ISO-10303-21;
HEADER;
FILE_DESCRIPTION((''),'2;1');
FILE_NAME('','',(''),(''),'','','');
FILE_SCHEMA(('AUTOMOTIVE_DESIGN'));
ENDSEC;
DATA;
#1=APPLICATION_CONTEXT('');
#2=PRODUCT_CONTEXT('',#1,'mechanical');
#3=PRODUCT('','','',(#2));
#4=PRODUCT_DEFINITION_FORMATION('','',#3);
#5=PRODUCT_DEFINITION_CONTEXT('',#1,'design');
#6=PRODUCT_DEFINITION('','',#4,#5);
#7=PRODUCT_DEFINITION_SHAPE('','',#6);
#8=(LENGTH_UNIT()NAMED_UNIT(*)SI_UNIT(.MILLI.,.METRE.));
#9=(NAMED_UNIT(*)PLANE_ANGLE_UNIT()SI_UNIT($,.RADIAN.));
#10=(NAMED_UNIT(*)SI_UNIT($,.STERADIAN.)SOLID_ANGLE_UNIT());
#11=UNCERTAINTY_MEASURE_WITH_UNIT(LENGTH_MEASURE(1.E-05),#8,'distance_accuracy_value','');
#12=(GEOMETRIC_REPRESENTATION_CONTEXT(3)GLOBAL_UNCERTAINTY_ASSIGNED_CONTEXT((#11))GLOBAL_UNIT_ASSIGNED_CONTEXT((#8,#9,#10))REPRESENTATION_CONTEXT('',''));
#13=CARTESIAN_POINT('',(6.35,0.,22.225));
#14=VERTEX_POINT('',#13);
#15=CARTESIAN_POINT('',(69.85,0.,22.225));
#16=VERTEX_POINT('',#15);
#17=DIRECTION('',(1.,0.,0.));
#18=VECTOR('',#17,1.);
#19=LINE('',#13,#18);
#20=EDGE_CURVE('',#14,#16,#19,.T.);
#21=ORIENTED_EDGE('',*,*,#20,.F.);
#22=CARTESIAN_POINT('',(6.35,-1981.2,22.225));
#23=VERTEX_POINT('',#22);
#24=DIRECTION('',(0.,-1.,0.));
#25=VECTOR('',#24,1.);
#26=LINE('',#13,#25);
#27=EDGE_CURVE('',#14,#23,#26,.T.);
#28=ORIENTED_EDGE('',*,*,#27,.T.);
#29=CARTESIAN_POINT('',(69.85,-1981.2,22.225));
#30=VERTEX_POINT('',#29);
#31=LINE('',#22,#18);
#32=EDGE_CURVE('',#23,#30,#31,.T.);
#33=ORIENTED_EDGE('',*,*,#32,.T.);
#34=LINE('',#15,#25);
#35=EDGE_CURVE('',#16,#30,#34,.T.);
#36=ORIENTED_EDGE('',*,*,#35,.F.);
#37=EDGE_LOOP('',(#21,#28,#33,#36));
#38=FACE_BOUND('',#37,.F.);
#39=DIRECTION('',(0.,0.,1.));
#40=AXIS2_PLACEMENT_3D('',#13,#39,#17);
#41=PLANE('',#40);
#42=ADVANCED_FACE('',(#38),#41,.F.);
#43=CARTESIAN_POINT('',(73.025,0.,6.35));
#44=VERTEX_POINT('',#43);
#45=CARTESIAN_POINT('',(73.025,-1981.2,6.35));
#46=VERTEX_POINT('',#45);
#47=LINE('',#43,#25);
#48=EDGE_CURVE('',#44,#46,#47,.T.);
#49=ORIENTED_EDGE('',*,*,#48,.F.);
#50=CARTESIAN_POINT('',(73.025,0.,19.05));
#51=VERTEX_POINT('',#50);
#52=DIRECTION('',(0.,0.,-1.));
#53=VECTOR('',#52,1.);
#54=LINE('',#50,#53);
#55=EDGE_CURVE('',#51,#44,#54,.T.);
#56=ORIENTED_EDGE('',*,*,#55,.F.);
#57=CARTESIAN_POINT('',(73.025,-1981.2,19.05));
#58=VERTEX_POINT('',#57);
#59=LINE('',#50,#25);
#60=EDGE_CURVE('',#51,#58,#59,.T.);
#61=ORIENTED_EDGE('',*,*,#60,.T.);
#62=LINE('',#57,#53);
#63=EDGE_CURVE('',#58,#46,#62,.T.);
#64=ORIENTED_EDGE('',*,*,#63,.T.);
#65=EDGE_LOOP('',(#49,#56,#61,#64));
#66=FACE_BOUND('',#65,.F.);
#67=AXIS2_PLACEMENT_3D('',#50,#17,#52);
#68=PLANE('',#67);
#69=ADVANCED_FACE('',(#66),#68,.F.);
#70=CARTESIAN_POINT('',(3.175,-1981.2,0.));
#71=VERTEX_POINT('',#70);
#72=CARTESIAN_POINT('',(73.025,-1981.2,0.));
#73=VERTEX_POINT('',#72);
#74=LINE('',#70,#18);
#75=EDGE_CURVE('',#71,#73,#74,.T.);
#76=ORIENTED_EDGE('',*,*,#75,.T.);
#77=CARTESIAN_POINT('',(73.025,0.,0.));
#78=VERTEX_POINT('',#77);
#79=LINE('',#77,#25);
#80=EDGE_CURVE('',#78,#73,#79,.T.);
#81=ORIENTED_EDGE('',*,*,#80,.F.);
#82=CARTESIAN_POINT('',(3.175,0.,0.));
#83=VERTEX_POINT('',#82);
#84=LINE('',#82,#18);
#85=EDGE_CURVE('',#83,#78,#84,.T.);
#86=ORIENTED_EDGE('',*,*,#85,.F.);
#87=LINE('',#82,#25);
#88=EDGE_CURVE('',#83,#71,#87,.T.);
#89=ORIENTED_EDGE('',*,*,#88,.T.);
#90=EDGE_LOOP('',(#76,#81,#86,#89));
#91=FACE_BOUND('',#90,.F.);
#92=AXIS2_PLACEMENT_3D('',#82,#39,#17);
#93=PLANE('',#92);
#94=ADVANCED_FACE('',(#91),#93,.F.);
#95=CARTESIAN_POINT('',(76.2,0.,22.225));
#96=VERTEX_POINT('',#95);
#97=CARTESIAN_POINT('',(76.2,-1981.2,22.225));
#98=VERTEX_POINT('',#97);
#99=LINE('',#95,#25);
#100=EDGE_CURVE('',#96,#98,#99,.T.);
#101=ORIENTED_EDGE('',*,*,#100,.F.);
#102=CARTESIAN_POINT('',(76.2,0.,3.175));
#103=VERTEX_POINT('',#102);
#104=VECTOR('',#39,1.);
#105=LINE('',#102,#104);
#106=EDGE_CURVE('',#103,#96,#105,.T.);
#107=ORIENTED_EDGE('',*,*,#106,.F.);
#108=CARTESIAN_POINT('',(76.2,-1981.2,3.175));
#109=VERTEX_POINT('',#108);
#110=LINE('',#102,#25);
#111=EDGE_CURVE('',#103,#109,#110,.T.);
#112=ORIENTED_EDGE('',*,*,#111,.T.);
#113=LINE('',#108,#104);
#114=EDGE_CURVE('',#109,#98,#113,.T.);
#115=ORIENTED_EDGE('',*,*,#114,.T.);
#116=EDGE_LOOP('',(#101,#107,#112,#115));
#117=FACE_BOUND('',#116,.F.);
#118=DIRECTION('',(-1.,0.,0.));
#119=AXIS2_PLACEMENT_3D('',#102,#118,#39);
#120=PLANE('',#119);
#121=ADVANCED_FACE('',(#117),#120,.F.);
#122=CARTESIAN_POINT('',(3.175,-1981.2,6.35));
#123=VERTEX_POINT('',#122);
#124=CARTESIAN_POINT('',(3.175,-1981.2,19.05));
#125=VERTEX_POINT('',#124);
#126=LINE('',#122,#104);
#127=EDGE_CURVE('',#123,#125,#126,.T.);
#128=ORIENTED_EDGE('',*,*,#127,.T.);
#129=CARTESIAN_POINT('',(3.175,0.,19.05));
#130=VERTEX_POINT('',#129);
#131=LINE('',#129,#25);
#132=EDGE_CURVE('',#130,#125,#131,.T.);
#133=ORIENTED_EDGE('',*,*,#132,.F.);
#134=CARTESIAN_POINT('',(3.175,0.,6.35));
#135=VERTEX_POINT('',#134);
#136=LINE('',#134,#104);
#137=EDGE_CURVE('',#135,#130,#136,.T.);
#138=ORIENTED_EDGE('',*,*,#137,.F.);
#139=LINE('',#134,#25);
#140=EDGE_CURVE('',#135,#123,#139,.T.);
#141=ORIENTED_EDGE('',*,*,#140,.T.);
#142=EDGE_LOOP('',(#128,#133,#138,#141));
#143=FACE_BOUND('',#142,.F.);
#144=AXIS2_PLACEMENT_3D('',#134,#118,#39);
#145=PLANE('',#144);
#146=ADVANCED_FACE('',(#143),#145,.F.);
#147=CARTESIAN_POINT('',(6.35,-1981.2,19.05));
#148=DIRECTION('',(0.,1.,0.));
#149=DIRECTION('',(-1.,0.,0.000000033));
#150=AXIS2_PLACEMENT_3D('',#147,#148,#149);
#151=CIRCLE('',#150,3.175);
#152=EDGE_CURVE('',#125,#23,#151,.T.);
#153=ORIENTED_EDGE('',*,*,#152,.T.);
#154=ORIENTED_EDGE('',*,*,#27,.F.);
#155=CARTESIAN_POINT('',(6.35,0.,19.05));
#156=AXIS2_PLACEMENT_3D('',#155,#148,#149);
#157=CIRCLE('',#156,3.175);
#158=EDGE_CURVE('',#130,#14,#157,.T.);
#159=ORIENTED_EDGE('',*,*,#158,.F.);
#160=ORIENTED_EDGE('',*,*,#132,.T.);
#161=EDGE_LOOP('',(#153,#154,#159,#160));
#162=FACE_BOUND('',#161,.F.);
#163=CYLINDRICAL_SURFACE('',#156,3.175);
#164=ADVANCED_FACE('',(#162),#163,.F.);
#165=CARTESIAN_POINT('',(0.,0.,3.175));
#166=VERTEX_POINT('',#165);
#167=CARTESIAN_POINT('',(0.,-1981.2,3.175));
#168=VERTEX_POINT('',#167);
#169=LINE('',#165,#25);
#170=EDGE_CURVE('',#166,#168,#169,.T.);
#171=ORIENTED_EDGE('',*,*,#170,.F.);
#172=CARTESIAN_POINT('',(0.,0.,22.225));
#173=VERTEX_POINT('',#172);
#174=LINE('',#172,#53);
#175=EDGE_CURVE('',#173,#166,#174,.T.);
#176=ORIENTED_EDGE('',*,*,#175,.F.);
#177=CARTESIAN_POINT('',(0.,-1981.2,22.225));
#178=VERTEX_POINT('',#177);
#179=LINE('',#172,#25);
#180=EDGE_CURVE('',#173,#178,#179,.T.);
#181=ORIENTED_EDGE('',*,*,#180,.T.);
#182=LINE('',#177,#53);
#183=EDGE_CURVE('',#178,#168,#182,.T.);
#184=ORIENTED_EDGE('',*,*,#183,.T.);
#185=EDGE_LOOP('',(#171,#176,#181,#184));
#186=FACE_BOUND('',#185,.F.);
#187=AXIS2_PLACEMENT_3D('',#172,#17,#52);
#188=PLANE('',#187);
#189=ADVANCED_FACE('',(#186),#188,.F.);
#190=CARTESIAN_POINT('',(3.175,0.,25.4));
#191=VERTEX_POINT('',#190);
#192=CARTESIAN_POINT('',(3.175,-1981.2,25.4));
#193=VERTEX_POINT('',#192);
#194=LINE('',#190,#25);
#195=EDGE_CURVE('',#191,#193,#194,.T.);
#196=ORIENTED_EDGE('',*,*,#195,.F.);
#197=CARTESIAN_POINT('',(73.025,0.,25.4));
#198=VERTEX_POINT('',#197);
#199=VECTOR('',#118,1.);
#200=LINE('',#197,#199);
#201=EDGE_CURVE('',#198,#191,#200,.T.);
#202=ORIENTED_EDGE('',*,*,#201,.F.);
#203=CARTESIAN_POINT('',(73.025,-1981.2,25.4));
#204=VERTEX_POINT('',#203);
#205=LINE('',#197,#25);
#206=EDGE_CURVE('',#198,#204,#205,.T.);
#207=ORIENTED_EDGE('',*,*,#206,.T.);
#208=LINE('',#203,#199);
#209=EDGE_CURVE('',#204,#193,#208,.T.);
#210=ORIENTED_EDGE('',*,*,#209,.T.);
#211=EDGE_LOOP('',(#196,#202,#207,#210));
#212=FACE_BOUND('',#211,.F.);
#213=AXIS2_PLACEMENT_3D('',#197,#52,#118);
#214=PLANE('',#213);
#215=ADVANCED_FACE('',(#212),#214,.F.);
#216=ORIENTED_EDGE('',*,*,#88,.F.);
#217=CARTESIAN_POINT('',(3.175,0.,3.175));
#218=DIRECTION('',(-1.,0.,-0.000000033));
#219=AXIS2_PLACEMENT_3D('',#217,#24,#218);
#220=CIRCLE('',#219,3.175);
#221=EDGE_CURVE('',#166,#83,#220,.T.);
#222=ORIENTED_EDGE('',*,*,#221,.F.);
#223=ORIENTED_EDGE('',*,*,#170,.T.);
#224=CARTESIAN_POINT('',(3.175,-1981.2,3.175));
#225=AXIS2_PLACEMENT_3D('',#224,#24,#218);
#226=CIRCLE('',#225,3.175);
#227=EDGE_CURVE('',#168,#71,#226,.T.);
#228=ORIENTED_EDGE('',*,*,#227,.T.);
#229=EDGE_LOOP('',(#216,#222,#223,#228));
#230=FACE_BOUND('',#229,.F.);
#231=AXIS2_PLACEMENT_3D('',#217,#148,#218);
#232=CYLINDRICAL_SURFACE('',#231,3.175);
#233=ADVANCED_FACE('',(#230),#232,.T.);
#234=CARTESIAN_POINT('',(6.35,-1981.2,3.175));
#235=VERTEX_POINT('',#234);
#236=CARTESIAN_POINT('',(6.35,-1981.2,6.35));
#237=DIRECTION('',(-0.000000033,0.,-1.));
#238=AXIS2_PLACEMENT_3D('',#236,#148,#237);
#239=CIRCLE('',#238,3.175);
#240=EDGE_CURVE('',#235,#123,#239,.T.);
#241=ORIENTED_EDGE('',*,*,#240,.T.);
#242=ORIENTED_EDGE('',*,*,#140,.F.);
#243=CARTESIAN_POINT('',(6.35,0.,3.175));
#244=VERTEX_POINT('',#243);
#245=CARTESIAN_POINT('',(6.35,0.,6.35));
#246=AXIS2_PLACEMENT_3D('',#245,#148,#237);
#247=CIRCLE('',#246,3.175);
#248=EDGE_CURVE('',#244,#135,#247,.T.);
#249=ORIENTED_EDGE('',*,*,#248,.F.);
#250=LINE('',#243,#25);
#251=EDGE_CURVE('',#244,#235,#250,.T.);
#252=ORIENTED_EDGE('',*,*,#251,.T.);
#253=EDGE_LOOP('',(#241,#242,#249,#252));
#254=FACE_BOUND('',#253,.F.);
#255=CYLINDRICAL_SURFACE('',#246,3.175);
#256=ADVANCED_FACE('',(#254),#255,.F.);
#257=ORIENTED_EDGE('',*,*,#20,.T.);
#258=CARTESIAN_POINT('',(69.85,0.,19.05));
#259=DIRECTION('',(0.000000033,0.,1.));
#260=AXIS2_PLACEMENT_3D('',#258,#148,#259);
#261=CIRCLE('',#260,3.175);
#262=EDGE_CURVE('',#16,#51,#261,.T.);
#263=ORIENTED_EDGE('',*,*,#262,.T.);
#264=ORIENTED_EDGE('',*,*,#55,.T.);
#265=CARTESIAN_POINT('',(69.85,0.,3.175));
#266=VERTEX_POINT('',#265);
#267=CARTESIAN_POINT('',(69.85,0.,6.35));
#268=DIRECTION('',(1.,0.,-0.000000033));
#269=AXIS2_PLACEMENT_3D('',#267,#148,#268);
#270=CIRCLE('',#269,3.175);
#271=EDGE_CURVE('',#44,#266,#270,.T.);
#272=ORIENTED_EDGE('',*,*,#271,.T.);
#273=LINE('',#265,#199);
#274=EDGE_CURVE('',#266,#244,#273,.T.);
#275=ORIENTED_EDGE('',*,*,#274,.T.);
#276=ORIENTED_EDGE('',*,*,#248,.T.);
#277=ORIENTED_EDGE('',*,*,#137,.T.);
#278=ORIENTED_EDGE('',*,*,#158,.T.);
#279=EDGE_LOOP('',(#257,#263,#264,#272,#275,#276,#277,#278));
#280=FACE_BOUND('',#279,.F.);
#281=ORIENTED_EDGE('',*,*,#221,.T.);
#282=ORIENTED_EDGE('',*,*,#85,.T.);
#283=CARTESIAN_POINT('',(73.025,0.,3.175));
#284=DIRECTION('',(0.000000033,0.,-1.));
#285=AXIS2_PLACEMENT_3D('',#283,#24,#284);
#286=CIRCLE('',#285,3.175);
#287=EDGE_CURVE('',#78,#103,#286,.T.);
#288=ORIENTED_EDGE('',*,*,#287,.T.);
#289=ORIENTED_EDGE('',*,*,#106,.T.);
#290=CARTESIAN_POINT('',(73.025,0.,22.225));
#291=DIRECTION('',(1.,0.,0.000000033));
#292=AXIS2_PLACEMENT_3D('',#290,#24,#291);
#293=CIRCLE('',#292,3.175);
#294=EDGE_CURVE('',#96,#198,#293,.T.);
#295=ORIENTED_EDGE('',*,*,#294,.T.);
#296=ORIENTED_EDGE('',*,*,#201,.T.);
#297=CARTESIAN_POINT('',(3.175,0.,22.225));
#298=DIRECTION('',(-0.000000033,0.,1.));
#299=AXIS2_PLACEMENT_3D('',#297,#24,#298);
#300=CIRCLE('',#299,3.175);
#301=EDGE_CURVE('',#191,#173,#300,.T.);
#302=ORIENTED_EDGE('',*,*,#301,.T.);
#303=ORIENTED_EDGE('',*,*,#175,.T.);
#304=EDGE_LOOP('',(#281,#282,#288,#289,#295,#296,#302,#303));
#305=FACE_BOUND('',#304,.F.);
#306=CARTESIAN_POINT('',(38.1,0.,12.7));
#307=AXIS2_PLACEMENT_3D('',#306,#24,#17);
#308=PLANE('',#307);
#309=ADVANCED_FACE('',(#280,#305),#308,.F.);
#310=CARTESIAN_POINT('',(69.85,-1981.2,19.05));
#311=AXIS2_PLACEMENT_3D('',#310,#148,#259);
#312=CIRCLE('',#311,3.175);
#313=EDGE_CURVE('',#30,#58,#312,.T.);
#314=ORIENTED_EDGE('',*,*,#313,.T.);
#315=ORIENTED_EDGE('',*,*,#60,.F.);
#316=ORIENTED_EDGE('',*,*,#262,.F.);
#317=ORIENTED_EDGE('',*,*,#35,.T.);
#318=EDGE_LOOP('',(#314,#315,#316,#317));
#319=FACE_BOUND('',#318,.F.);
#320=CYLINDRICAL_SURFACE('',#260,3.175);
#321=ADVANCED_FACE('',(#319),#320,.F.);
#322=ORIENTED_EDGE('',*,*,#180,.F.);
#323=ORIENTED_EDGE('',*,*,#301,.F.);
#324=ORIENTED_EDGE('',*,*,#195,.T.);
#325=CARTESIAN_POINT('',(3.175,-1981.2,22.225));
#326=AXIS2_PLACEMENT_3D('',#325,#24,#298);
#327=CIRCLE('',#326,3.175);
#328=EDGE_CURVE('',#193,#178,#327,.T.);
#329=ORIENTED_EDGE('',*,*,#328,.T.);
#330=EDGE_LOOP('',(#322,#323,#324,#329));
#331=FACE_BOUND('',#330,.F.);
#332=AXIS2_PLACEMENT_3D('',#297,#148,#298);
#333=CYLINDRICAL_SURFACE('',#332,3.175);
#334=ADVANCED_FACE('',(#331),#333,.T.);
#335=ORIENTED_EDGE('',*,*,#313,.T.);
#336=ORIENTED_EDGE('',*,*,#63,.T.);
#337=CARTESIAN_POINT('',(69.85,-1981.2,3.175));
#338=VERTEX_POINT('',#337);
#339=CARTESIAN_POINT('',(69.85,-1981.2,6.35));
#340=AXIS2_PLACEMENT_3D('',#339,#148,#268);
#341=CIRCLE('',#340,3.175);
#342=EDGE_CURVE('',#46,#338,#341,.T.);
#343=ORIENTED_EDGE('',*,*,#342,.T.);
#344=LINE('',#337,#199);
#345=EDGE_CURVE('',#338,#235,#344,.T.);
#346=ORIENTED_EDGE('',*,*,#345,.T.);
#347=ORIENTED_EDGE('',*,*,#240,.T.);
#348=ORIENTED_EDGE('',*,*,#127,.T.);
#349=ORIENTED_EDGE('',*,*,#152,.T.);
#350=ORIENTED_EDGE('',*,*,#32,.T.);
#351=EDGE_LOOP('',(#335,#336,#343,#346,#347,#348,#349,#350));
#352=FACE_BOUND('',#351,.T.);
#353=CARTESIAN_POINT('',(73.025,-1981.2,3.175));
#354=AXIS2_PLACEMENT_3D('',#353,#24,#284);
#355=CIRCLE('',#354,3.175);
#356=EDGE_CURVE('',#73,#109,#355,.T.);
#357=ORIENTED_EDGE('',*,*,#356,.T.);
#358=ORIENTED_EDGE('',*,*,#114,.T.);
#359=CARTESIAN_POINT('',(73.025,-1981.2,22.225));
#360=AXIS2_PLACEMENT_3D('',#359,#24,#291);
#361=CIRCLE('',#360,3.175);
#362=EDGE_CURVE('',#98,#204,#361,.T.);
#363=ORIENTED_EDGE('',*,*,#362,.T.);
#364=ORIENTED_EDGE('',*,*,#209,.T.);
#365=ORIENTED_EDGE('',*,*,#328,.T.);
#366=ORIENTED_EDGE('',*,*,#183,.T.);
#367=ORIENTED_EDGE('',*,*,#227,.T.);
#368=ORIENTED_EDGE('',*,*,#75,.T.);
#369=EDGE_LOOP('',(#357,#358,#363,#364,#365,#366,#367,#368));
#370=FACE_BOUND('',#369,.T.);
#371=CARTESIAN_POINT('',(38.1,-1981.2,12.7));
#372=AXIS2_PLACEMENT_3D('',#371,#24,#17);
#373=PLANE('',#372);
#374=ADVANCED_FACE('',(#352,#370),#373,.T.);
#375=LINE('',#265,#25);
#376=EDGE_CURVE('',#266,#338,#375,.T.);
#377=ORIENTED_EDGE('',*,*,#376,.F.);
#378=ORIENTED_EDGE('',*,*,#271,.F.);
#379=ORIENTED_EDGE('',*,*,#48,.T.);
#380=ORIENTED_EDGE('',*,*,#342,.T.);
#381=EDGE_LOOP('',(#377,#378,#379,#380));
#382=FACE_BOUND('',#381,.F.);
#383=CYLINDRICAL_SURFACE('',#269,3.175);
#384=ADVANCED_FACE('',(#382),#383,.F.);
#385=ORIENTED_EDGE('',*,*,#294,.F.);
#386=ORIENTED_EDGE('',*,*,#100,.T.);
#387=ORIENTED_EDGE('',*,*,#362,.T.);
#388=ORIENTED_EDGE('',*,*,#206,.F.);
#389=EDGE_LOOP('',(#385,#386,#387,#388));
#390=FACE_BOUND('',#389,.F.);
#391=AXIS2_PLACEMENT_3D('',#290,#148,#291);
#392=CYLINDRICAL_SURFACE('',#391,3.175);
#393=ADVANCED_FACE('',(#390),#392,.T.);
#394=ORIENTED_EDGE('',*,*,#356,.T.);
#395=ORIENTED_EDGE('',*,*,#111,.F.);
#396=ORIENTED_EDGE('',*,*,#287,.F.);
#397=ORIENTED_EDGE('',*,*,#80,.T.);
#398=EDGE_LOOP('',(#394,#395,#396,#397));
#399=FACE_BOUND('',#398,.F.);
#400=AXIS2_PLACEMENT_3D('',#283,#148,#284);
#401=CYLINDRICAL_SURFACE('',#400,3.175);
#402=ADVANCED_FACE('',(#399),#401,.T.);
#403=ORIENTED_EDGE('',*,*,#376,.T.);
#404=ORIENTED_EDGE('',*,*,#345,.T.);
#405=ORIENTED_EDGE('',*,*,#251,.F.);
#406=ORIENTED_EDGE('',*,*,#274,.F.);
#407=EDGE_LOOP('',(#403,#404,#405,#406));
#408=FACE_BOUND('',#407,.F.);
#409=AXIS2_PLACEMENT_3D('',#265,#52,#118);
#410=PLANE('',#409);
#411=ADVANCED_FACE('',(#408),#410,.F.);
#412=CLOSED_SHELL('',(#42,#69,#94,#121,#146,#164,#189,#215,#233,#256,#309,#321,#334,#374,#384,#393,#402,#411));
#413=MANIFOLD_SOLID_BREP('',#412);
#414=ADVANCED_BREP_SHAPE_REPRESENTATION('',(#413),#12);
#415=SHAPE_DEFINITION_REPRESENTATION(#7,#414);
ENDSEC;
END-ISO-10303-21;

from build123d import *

# Parameters (mm, degrees)
F1_DEPTH = 1981.2


with BuildPart() as f1:
    # F0 (on Front) → F1 (new body)
    with BuildSketch(Plane.XZ):
        with BuildLine():
            ThreePointArc((0, 3.175), (0.929936, 0.929936), (3.175, 0))
            Line((3.175, 0), (73.025, 0))
            ThreePointArc((73.025, 0), (75.270064, 0.929936), (76.2, 3.175))
            Line((76.2, 3.175), (76.2, 22.225))
            ThreePointArc((76.2, 22.225), (75.270064, 24.470064), (73.025, 25.4))
            Line((73.025, 25.4), (3.175, 25.4))
            ThreePointArc((3.175, 25.4), (0.929936, 24.470064), (0, 22.225))
            Line((0, 22.225), (0, 3.175))
        make_face()
        with BuildLine():
            Line((69.85, 3.175), (6.35, 3.175))
            ThreePointArc((6.35, 3.175), (4.104936, 4.104936), (3.175, 6.35))
            Line((3.175, 6.35), (3.175, 19.05))
            ThreePointArc((3.175, 19.05), (4.104936, 21.295064), (6.35, 22.225))
            Line((6.35, 22.225), (69.85, 22.225))
            ThreePointArc((69.85, 22.225), (72.095064, 21.295064), (73.025, 19.05))
            Line((73.025, 19.05), (73.025, 6.35))
            ThreePointArc((73.025, 6.35), (72.095064, 4.104936), (69.85, 3.175))
        make_face(mode=Mode.SUBTRACT)
    extrude(amount=F1_DEPTH)


solid = f1.part
